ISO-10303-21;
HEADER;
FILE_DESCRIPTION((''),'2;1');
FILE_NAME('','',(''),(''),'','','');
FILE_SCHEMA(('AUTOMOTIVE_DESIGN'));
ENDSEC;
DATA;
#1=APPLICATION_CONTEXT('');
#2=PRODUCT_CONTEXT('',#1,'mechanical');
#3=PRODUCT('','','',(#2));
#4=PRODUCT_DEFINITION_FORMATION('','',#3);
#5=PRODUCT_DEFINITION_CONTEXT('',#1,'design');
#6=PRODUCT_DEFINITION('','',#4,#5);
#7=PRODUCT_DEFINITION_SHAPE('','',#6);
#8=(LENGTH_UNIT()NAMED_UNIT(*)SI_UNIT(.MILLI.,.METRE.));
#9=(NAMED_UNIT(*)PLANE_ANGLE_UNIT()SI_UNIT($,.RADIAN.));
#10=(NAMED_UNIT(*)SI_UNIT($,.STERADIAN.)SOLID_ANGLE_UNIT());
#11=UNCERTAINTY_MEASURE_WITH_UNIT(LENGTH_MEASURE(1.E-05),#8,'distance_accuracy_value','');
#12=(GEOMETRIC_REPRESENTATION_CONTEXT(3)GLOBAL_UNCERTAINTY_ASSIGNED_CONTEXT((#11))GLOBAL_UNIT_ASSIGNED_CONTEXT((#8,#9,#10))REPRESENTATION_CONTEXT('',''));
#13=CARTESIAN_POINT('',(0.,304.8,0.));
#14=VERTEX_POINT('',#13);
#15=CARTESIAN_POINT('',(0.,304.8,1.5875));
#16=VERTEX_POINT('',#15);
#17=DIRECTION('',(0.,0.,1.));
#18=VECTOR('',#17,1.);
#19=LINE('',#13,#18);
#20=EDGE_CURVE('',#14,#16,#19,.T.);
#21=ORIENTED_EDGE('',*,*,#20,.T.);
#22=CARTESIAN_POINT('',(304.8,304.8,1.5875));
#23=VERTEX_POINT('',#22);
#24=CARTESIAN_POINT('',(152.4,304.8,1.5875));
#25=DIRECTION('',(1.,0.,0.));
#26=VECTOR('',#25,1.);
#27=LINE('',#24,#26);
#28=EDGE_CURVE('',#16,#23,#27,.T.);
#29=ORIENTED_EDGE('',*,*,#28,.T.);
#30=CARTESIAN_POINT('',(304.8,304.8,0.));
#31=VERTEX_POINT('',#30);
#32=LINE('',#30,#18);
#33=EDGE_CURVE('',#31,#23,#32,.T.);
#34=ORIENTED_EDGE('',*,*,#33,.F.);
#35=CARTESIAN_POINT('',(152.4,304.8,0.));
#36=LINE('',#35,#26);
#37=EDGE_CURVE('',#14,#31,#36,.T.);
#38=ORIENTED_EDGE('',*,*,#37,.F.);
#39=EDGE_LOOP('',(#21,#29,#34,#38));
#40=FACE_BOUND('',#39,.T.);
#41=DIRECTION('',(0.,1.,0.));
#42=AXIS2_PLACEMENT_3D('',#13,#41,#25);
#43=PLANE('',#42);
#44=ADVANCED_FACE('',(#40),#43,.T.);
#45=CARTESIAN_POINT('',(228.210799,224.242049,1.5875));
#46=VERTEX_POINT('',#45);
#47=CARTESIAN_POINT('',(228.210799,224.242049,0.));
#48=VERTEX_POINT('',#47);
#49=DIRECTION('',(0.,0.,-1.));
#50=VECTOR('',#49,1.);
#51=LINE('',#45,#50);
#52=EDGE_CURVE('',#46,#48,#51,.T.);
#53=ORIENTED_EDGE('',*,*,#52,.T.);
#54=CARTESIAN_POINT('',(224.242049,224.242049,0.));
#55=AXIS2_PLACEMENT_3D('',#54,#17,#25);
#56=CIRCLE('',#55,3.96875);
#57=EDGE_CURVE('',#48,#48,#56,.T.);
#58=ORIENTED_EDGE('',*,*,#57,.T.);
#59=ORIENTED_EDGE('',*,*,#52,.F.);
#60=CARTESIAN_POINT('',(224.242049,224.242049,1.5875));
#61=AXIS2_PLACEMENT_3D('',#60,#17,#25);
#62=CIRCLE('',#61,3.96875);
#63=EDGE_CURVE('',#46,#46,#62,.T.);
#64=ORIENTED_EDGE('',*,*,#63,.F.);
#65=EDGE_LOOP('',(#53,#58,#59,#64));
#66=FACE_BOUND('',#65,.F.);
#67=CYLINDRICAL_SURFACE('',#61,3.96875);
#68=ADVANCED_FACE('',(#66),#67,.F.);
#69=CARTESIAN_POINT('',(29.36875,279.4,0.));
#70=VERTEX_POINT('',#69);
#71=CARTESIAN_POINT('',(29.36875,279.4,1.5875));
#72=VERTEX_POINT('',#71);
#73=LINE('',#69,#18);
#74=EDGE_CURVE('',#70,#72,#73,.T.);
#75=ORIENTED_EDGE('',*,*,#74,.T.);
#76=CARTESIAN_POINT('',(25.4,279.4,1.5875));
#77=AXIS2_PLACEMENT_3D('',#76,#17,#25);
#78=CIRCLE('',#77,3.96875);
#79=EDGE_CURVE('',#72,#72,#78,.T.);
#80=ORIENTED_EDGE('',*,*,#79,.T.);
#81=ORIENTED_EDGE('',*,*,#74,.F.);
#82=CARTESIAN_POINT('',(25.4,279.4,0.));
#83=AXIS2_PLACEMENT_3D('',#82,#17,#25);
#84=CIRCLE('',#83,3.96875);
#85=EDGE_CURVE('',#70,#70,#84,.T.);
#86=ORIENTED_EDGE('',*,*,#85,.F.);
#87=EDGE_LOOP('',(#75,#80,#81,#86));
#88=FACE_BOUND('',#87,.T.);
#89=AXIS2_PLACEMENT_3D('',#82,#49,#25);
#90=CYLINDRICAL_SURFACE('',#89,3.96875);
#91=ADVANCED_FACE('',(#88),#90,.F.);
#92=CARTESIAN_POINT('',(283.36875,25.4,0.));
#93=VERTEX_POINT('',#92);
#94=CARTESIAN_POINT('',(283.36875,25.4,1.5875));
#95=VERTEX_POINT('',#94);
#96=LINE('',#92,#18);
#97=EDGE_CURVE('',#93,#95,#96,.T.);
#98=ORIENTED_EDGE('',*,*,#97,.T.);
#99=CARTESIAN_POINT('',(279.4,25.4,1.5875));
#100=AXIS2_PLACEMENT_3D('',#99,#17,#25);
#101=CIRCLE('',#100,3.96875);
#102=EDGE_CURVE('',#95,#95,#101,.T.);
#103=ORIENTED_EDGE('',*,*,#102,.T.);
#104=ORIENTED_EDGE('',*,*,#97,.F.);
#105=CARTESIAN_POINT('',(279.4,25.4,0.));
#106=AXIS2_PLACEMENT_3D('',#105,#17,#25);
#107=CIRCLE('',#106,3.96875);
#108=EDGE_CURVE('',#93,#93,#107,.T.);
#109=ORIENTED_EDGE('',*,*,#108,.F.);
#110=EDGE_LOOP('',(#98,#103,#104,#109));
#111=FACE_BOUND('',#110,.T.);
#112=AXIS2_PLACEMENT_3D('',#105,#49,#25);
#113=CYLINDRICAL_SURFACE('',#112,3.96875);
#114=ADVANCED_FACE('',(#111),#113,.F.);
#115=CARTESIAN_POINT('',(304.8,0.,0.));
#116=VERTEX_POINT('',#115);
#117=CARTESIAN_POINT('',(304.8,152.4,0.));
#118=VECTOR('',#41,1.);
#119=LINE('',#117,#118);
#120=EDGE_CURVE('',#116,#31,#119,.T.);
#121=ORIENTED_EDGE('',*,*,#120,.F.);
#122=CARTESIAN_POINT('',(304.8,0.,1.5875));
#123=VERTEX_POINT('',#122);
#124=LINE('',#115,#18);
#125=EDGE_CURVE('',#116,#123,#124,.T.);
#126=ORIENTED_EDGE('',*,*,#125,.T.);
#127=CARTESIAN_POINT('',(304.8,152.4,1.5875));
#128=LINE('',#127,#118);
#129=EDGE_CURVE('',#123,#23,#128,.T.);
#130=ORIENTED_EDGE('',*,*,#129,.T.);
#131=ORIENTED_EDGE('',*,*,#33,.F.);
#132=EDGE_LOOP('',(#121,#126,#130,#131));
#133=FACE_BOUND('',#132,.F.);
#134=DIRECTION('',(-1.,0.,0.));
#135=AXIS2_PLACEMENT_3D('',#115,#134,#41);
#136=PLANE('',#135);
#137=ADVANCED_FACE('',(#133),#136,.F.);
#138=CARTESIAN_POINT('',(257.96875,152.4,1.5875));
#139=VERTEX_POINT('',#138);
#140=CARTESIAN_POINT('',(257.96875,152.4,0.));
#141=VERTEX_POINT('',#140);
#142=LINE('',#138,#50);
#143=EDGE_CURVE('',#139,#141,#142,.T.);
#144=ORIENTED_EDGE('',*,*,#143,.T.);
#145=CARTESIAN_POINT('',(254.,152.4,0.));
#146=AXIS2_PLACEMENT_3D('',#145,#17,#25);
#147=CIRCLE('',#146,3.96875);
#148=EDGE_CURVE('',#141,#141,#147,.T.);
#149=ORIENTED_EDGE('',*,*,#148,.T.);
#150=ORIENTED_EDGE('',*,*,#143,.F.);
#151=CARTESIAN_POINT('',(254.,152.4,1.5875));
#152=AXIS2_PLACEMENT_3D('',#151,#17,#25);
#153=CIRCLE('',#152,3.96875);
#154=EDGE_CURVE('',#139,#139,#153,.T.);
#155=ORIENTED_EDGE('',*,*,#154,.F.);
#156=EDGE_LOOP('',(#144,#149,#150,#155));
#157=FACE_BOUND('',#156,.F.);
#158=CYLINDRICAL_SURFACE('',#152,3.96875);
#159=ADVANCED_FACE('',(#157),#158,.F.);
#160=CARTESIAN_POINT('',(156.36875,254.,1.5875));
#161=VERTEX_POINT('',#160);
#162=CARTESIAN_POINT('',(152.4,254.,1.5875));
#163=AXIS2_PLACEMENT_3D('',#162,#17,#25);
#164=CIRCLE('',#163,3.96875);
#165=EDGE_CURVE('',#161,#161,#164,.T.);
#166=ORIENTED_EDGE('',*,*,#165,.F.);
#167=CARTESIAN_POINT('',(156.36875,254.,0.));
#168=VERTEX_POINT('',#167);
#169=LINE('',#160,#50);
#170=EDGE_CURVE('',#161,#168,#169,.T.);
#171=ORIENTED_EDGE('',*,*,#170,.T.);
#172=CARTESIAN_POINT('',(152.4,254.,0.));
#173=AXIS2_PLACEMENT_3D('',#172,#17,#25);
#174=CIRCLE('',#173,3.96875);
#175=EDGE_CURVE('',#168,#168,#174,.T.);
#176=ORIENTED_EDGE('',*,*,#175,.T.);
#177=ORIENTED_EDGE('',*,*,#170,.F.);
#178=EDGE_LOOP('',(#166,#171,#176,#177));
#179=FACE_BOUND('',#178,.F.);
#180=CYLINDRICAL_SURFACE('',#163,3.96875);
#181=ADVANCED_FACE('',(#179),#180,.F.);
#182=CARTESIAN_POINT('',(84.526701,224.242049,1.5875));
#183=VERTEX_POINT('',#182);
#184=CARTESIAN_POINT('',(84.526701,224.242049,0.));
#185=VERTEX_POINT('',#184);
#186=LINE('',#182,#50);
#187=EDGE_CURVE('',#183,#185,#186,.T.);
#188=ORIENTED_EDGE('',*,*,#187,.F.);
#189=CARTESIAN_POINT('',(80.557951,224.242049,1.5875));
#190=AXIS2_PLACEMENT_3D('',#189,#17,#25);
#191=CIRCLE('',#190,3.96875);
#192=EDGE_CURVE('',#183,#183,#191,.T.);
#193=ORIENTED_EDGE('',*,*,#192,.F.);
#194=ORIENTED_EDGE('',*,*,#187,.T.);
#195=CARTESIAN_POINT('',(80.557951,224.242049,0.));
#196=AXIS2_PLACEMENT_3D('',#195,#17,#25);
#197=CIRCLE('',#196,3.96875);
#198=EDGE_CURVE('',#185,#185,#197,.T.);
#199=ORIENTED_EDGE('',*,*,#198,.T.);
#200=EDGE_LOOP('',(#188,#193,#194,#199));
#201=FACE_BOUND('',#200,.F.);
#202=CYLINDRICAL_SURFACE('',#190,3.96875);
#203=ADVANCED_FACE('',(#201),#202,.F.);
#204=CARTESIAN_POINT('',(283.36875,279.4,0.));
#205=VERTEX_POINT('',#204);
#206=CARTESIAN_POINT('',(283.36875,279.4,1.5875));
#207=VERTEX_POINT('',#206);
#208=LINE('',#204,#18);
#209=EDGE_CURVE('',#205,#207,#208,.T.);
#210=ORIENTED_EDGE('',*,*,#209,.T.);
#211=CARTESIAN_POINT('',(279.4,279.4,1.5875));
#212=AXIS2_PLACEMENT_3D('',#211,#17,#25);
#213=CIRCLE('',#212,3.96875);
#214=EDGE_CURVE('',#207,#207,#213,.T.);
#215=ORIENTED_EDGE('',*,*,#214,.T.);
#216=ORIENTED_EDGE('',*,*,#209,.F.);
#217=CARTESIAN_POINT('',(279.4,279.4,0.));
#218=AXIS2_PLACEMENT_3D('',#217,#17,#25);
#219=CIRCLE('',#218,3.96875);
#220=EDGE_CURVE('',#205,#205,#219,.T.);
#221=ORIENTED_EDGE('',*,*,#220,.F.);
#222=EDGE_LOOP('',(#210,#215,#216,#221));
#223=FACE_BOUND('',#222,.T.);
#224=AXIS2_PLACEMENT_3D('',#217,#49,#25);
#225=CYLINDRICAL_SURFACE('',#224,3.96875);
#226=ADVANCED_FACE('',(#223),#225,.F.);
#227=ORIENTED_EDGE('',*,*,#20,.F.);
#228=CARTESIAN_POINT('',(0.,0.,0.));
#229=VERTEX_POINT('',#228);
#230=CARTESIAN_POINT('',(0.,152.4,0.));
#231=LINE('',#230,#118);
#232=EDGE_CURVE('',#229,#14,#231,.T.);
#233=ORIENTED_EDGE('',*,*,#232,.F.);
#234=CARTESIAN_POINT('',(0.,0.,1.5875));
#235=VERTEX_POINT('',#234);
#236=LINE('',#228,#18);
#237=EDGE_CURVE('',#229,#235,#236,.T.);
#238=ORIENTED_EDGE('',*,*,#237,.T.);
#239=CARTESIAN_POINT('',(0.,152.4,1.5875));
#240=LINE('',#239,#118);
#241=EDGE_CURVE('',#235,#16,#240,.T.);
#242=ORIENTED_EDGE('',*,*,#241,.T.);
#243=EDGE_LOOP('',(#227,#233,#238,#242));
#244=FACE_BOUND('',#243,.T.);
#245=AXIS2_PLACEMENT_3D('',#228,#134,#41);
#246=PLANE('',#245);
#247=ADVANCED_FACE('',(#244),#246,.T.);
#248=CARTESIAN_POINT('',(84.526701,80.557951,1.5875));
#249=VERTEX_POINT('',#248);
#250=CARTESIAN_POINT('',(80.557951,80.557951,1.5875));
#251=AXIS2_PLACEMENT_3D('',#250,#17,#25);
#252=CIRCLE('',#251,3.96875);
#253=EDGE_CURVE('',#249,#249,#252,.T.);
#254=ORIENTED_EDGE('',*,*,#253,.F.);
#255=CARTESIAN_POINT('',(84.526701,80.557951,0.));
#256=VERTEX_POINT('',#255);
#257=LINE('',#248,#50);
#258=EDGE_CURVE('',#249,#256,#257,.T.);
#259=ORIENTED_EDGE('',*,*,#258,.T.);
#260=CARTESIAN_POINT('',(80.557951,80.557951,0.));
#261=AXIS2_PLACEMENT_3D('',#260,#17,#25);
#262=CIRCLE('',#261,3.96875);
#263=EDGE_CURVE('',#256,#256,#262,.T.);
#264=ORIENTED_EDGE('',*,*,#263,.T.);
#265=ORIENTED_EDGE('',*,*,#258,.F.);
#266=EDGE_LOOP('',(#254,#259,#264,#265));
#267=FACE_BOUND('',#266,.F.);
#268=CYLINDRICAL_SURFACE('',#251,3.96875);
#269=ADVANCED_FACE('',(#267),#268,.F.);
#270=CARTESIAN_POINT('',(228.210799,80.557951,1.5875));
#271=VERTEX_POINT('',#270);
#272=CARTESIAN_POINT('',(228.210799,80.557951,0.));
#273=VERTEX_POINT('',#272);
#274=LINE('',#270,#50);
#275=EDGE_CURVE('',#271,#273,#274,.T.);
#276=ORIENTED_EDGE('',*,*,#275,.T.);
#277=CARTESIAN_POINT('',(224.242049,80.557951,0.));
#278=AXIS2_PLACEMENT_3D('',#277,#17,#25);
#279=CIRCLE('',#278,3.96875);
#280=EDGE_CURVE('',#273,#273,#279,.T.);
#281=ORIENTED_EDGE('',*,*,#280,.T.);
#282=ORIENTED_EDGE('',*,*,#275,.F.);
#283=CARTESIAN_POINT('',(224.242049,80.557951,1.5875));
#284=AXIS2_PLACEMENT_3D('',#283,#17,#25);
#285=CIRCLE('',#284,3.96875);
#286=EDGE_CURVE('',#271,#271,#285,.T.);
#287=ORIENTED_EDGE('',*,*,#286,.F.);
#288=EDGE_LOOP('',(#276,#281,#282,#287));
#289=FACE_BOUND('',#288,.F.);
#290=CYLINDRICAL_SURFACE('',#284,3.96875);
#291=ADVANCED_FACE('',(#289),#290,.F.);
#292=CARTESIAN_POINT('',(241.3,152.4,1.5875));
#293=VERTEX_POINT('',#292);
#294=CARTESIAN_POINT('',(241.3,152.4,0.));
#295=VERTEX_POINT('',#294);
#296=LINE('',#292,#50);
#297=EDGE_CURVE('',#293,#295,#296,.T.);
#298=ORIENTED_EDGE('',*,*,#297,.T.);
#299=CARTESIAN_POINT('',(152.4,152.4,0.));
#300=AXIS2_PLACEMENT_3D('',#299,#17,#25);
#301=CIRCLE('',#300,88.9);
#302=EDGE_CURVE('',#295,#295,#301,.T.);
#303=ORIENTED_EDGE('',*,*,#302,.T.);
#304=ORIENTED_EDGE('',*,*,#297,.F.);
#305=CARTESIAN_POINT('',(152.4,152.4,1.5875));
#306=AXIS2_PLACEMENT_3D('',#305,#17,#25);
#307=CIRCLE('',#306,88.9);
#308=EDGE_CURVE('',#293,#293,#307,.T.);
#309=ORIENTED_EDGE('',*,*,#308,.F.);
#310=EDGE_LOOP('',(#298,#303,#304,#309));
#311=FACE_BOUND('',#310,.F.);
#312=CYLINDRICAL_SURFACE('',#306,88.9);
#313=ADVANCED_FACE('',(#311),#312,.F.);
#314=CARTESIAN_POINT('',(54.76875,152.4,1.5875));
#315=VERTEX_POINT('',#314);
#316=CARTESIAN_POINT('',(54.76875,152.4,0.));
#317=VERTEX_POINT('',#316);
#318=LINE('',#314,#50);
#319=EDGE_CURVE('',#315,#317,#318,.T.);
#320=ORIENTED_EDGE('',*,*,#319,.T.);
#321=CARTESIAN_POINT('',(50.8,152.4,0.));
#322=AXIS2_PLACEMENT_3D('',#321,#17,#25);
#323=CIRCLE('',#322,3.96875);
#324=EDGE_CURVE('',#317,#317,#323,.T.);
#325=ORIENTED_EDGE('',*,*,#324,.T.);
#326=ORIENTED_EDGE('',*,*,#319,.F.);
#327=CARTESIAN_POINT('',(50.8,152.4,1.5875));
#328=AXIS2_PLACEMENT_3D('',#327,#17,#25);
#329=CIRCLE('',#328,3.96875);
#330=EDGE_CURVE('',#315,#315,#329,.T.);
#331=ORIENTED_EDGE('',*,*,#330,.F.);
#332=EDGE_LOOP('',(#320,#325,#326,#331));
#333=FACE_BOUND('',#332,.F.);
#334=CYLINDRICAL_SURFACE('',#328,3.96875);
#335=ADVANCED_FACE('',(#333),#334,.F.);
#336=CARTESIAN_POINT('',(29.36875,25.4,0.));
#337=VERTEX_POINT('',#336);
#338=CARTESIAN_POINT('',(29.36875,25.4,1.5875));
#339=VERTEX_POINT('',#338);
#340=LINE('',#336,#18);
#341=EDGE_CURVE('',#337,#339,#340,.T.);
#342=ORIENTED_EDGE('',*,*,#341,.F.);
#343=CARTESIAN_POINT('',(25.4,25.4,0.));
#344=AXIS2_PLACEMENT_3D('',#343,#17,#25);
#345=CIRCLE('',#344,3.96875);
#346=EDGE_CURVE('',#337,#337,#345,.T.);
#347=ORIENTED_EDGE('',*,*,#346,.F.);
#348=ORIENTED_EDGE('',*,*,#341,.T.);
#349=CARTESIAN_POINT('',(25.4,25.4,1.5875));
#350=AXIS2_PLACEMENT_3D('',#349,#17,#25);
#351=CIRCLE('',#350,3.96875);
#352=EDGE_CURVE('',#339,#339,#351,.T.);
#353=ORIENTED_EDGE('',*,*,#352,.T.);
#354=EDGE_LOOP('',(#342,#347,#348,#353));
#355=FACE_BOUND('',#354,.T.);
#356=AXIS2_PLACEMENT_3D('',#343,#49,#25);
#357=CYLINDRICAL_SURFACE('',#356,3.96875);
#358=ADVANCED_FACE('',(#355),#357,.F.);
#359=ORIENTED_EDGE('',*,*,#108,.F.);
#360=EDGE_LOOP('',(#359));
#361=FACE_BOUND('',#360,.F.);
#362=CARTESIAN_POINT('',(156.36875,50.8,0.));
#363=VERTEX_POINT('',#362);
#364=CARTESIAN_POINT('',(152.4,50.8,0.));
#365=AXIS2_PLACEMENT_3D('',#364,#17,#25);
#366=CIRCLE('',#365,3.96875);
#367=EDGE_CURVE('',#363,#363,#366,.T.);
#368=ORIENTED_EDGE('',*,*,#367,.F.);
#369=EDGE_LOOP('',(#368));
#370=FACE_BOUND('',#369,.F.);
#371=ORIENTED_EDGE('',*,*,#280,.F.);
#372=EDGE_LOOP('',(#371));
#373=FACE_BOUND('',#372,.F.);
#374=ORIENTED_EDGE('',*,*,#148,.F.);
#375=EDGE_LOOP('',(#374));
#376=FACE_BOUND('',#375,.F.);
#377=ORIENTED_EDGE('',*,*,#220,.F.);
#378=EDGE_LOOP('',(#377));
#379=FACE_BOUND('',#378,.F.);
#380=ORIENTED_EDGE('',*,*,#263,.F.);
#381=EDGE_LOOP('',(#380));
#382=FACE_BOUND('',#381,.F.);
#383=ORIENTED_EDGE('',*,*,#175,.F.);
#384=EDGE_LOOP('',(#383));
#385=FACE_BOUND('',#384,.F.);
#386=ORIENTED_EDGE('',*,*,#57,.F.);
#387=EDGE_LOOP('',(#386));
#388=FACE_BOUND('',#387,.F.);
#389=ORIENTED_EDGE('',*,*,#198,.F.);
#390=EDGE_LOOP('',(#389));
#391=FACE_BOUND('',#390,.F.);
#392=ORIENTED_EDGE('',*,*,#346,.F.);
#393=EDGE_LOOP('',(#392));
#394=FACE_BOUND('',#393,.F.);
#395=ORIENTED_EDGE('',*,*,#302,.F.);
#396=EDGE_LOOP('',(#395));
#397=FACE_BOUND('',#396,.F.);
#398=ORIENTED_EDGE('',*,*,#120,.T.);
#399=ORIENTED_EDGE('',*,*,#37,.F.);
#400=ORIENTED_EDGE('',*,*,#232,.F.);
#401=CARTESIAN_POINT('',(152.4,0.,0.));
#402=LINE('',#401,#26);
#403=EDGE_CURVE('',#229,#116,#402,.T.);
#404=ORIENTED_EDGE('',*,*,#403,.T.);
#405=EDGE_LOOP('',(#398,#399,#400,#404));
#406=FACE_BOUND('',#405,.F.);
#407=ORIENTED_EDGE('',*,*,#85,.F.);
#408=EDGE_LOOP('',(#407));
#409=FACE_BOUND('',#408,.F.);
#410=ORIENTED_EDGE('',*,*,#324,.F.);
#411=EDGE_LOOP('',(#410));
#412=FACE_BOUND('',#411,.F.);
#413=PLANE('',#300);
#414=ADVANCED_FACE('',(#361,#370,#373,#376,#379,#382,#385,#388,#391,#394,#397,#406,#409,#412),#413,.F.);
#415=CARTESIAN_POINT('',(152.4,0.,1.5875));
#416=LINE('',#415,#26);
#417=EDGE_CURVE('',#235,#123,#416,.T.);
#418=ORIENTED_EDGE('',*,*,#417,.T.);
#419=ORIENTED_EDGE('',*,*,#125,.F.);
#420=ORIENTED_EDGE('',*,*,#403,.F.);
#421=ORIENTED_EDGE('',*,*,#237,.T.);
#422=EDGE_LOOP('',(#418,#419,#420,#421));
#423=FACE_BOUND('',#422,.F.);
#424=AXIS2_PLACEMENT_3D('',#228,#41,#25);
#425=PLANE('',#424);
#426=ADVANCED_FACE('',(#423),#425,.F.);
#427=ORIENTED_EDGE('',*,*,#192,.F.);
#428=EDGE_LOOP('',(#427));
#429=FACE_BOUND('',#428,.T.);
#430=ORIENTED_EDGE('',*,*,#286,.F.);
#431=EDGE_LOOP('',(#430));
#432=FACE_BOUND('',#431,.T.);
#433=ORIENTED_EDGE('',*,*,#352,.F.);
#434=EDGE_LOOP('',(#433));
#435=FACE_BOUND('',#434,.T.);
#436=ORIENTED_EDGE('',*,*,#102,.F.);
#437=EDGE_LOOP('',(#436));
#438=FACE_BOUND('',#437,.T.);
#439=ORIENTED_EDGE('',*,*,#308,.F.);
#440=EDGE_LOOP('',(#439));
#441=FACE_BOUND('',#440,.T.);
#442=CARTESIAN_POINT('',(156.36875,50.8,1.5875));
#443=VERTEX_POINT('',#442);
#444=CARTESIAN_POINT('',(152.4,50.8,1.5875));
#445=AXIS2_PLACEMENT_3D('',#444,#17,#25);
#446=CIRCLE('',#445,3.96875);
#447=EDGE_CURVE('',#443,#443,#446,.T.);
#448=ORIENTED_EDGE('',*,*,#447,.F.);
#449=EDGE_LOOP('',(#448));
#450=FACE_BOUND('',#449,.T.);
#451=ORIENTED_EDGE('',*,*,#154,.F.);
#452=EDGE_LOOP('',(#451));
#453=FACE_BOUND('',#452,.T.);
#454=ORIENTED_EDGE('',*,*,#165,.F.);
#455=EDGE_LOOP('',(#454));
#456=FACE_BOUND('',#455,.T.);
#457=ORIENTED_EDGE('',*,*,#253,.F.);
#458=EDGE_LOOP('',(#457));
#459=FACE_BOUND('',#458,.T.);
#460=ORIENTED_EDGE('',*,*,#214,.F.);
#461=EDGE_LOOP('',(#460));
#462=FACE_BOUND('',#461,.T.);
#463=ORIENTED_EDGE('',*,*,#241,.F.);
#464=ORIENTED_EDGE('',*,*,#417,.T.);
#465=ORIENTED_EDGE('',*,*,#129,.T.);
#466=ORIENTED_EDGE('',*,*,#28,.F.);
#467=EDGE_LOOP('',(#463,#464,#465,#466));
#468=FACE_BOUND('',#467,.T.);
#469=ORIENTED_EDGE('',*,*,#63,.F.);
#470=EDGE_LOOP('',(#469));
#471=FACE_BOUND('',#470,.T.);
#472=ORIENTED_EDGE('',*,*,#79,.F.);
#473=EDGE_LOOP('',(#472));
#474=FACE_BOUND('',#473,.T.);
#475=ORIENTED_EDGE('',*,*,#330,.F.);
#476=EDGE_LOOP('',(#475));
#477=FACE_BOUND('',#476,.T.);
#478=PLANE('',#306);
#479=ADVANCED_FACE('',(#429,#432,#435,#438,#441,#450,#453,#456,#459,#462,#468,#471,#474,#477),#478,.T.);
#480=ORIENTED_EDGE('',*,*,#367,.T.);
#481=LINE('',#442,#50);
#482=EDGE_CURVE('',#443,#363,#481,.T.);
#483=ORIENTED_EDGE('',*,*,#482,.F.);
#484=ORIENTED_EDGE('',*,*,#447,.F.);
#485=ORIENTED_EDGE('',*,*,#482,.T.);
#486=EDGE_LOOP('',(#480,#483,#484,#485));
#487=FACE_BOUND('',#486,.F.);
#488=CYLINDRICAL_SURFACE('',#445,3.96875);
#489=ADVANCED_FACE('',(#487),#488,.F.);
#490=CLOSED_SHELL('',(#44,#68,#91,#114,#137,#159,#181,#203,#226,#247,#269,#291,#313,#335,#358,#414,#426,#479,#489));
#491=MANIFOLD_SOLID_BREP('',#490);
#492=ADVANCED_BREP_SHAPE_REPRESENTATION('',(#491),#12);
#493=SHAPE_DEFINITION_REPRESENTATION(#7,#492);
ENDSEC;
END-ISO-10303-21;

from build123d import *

# Parameters (mm, degrees)
F0_W     = 304.8
F0_H     = 304.8
F0_R     = 3.96875
F1_DEPTH = 1.5875
F2_R     = 88.9
F3_DEPTH = 25.4
F4_R     = 3.96875
F5_DEPTH = 25.4
F6_DEPTH = 25.4


with BuildPart() as f1:
    # F0 (on Top) → F1 (new body)
    with BuildSketch(Plane.XY):
        with Locations((152.4, 152.4)):
            Rectangle(F0_W, F0_H)
        with Locations((25.4, 25.4)):
            Circle(F0_R, mode=Mode.SUBTRACT)
        with Locations((279.4, 25.4)):
            Circle(F0_R, mode=Mode.SUBTRACT)
        with Locations((25.4, 279.4)):
            Circle(F0_R, mode=Mode.SUBTRACT)
        with Locations((279.4, 279.4)):
            Circle(F0_R, mode=Mode.SUBTRACT)
    extrude(amount=F1_DEPTH)

    # F2 (on face) → F3 (cut)
    with BuildSketch(Plane.XY.offset(1.5875)):
        with Locations((152.4, 152.4)):
            Circle(F2_R)
    extrude(amount=-F3_DEPTH, mode=Mode.SUBTRACT)

    # F4 (on face) → F5 (cut)
    with BuildSketch(Plane.XY.offset(1.5875)):
        with Locations((152.4, 254)):
            Circle(F4_R)
        with Locations((152.4, 50.8)):
            Circle(F4_R)
        with Locations((50.8, 152.4)):
            Circle(F4_R)
        with Locations((254, 152.4)):
            Circle(F4_R)
        with Locations((80.557951, 224.242049)):
            Circle(F4_R)
        with Locations((224.242049, 80.557951)):
            Circle(F4_R)
        with Locations((224.242049, 224.242049)):
            Circle(F4_R)
        with Locations((80.557951, 80.557951)):
            Circle(F4_R)
    extrude(amount=-F5_DEPTH, mode=Mode.SUBTRACT)

    # F4 (on face) → F6 (cut)
    with BuildSketch(Plane.XY.offset(1.5875)):
        with Locations((152.4, 254)):
            Circle(F4_R)
        with Locations((152.4, 50.8)):
            Circle(F4_R)
        with Locations((50.8, 152.4)):
            Circle(F4_R)
        with Locations((254, 152.4)):
            Circle(F4_R)
        with Locations((80.557951, 224.242049)):
            Circle(F4_R)
        with Locations((224.242049, 80.557951)):
            Circle(F4_R)
        with Locations((224.242049, 224.242049)):
            Circle(F4_R)
        with Locations((80.557951, 80.557951)):
            Circle(F4_R)
    extrude(amount=-F6_DEPTH, mode=Mode.SUBTRACT)


solid = f1.part
